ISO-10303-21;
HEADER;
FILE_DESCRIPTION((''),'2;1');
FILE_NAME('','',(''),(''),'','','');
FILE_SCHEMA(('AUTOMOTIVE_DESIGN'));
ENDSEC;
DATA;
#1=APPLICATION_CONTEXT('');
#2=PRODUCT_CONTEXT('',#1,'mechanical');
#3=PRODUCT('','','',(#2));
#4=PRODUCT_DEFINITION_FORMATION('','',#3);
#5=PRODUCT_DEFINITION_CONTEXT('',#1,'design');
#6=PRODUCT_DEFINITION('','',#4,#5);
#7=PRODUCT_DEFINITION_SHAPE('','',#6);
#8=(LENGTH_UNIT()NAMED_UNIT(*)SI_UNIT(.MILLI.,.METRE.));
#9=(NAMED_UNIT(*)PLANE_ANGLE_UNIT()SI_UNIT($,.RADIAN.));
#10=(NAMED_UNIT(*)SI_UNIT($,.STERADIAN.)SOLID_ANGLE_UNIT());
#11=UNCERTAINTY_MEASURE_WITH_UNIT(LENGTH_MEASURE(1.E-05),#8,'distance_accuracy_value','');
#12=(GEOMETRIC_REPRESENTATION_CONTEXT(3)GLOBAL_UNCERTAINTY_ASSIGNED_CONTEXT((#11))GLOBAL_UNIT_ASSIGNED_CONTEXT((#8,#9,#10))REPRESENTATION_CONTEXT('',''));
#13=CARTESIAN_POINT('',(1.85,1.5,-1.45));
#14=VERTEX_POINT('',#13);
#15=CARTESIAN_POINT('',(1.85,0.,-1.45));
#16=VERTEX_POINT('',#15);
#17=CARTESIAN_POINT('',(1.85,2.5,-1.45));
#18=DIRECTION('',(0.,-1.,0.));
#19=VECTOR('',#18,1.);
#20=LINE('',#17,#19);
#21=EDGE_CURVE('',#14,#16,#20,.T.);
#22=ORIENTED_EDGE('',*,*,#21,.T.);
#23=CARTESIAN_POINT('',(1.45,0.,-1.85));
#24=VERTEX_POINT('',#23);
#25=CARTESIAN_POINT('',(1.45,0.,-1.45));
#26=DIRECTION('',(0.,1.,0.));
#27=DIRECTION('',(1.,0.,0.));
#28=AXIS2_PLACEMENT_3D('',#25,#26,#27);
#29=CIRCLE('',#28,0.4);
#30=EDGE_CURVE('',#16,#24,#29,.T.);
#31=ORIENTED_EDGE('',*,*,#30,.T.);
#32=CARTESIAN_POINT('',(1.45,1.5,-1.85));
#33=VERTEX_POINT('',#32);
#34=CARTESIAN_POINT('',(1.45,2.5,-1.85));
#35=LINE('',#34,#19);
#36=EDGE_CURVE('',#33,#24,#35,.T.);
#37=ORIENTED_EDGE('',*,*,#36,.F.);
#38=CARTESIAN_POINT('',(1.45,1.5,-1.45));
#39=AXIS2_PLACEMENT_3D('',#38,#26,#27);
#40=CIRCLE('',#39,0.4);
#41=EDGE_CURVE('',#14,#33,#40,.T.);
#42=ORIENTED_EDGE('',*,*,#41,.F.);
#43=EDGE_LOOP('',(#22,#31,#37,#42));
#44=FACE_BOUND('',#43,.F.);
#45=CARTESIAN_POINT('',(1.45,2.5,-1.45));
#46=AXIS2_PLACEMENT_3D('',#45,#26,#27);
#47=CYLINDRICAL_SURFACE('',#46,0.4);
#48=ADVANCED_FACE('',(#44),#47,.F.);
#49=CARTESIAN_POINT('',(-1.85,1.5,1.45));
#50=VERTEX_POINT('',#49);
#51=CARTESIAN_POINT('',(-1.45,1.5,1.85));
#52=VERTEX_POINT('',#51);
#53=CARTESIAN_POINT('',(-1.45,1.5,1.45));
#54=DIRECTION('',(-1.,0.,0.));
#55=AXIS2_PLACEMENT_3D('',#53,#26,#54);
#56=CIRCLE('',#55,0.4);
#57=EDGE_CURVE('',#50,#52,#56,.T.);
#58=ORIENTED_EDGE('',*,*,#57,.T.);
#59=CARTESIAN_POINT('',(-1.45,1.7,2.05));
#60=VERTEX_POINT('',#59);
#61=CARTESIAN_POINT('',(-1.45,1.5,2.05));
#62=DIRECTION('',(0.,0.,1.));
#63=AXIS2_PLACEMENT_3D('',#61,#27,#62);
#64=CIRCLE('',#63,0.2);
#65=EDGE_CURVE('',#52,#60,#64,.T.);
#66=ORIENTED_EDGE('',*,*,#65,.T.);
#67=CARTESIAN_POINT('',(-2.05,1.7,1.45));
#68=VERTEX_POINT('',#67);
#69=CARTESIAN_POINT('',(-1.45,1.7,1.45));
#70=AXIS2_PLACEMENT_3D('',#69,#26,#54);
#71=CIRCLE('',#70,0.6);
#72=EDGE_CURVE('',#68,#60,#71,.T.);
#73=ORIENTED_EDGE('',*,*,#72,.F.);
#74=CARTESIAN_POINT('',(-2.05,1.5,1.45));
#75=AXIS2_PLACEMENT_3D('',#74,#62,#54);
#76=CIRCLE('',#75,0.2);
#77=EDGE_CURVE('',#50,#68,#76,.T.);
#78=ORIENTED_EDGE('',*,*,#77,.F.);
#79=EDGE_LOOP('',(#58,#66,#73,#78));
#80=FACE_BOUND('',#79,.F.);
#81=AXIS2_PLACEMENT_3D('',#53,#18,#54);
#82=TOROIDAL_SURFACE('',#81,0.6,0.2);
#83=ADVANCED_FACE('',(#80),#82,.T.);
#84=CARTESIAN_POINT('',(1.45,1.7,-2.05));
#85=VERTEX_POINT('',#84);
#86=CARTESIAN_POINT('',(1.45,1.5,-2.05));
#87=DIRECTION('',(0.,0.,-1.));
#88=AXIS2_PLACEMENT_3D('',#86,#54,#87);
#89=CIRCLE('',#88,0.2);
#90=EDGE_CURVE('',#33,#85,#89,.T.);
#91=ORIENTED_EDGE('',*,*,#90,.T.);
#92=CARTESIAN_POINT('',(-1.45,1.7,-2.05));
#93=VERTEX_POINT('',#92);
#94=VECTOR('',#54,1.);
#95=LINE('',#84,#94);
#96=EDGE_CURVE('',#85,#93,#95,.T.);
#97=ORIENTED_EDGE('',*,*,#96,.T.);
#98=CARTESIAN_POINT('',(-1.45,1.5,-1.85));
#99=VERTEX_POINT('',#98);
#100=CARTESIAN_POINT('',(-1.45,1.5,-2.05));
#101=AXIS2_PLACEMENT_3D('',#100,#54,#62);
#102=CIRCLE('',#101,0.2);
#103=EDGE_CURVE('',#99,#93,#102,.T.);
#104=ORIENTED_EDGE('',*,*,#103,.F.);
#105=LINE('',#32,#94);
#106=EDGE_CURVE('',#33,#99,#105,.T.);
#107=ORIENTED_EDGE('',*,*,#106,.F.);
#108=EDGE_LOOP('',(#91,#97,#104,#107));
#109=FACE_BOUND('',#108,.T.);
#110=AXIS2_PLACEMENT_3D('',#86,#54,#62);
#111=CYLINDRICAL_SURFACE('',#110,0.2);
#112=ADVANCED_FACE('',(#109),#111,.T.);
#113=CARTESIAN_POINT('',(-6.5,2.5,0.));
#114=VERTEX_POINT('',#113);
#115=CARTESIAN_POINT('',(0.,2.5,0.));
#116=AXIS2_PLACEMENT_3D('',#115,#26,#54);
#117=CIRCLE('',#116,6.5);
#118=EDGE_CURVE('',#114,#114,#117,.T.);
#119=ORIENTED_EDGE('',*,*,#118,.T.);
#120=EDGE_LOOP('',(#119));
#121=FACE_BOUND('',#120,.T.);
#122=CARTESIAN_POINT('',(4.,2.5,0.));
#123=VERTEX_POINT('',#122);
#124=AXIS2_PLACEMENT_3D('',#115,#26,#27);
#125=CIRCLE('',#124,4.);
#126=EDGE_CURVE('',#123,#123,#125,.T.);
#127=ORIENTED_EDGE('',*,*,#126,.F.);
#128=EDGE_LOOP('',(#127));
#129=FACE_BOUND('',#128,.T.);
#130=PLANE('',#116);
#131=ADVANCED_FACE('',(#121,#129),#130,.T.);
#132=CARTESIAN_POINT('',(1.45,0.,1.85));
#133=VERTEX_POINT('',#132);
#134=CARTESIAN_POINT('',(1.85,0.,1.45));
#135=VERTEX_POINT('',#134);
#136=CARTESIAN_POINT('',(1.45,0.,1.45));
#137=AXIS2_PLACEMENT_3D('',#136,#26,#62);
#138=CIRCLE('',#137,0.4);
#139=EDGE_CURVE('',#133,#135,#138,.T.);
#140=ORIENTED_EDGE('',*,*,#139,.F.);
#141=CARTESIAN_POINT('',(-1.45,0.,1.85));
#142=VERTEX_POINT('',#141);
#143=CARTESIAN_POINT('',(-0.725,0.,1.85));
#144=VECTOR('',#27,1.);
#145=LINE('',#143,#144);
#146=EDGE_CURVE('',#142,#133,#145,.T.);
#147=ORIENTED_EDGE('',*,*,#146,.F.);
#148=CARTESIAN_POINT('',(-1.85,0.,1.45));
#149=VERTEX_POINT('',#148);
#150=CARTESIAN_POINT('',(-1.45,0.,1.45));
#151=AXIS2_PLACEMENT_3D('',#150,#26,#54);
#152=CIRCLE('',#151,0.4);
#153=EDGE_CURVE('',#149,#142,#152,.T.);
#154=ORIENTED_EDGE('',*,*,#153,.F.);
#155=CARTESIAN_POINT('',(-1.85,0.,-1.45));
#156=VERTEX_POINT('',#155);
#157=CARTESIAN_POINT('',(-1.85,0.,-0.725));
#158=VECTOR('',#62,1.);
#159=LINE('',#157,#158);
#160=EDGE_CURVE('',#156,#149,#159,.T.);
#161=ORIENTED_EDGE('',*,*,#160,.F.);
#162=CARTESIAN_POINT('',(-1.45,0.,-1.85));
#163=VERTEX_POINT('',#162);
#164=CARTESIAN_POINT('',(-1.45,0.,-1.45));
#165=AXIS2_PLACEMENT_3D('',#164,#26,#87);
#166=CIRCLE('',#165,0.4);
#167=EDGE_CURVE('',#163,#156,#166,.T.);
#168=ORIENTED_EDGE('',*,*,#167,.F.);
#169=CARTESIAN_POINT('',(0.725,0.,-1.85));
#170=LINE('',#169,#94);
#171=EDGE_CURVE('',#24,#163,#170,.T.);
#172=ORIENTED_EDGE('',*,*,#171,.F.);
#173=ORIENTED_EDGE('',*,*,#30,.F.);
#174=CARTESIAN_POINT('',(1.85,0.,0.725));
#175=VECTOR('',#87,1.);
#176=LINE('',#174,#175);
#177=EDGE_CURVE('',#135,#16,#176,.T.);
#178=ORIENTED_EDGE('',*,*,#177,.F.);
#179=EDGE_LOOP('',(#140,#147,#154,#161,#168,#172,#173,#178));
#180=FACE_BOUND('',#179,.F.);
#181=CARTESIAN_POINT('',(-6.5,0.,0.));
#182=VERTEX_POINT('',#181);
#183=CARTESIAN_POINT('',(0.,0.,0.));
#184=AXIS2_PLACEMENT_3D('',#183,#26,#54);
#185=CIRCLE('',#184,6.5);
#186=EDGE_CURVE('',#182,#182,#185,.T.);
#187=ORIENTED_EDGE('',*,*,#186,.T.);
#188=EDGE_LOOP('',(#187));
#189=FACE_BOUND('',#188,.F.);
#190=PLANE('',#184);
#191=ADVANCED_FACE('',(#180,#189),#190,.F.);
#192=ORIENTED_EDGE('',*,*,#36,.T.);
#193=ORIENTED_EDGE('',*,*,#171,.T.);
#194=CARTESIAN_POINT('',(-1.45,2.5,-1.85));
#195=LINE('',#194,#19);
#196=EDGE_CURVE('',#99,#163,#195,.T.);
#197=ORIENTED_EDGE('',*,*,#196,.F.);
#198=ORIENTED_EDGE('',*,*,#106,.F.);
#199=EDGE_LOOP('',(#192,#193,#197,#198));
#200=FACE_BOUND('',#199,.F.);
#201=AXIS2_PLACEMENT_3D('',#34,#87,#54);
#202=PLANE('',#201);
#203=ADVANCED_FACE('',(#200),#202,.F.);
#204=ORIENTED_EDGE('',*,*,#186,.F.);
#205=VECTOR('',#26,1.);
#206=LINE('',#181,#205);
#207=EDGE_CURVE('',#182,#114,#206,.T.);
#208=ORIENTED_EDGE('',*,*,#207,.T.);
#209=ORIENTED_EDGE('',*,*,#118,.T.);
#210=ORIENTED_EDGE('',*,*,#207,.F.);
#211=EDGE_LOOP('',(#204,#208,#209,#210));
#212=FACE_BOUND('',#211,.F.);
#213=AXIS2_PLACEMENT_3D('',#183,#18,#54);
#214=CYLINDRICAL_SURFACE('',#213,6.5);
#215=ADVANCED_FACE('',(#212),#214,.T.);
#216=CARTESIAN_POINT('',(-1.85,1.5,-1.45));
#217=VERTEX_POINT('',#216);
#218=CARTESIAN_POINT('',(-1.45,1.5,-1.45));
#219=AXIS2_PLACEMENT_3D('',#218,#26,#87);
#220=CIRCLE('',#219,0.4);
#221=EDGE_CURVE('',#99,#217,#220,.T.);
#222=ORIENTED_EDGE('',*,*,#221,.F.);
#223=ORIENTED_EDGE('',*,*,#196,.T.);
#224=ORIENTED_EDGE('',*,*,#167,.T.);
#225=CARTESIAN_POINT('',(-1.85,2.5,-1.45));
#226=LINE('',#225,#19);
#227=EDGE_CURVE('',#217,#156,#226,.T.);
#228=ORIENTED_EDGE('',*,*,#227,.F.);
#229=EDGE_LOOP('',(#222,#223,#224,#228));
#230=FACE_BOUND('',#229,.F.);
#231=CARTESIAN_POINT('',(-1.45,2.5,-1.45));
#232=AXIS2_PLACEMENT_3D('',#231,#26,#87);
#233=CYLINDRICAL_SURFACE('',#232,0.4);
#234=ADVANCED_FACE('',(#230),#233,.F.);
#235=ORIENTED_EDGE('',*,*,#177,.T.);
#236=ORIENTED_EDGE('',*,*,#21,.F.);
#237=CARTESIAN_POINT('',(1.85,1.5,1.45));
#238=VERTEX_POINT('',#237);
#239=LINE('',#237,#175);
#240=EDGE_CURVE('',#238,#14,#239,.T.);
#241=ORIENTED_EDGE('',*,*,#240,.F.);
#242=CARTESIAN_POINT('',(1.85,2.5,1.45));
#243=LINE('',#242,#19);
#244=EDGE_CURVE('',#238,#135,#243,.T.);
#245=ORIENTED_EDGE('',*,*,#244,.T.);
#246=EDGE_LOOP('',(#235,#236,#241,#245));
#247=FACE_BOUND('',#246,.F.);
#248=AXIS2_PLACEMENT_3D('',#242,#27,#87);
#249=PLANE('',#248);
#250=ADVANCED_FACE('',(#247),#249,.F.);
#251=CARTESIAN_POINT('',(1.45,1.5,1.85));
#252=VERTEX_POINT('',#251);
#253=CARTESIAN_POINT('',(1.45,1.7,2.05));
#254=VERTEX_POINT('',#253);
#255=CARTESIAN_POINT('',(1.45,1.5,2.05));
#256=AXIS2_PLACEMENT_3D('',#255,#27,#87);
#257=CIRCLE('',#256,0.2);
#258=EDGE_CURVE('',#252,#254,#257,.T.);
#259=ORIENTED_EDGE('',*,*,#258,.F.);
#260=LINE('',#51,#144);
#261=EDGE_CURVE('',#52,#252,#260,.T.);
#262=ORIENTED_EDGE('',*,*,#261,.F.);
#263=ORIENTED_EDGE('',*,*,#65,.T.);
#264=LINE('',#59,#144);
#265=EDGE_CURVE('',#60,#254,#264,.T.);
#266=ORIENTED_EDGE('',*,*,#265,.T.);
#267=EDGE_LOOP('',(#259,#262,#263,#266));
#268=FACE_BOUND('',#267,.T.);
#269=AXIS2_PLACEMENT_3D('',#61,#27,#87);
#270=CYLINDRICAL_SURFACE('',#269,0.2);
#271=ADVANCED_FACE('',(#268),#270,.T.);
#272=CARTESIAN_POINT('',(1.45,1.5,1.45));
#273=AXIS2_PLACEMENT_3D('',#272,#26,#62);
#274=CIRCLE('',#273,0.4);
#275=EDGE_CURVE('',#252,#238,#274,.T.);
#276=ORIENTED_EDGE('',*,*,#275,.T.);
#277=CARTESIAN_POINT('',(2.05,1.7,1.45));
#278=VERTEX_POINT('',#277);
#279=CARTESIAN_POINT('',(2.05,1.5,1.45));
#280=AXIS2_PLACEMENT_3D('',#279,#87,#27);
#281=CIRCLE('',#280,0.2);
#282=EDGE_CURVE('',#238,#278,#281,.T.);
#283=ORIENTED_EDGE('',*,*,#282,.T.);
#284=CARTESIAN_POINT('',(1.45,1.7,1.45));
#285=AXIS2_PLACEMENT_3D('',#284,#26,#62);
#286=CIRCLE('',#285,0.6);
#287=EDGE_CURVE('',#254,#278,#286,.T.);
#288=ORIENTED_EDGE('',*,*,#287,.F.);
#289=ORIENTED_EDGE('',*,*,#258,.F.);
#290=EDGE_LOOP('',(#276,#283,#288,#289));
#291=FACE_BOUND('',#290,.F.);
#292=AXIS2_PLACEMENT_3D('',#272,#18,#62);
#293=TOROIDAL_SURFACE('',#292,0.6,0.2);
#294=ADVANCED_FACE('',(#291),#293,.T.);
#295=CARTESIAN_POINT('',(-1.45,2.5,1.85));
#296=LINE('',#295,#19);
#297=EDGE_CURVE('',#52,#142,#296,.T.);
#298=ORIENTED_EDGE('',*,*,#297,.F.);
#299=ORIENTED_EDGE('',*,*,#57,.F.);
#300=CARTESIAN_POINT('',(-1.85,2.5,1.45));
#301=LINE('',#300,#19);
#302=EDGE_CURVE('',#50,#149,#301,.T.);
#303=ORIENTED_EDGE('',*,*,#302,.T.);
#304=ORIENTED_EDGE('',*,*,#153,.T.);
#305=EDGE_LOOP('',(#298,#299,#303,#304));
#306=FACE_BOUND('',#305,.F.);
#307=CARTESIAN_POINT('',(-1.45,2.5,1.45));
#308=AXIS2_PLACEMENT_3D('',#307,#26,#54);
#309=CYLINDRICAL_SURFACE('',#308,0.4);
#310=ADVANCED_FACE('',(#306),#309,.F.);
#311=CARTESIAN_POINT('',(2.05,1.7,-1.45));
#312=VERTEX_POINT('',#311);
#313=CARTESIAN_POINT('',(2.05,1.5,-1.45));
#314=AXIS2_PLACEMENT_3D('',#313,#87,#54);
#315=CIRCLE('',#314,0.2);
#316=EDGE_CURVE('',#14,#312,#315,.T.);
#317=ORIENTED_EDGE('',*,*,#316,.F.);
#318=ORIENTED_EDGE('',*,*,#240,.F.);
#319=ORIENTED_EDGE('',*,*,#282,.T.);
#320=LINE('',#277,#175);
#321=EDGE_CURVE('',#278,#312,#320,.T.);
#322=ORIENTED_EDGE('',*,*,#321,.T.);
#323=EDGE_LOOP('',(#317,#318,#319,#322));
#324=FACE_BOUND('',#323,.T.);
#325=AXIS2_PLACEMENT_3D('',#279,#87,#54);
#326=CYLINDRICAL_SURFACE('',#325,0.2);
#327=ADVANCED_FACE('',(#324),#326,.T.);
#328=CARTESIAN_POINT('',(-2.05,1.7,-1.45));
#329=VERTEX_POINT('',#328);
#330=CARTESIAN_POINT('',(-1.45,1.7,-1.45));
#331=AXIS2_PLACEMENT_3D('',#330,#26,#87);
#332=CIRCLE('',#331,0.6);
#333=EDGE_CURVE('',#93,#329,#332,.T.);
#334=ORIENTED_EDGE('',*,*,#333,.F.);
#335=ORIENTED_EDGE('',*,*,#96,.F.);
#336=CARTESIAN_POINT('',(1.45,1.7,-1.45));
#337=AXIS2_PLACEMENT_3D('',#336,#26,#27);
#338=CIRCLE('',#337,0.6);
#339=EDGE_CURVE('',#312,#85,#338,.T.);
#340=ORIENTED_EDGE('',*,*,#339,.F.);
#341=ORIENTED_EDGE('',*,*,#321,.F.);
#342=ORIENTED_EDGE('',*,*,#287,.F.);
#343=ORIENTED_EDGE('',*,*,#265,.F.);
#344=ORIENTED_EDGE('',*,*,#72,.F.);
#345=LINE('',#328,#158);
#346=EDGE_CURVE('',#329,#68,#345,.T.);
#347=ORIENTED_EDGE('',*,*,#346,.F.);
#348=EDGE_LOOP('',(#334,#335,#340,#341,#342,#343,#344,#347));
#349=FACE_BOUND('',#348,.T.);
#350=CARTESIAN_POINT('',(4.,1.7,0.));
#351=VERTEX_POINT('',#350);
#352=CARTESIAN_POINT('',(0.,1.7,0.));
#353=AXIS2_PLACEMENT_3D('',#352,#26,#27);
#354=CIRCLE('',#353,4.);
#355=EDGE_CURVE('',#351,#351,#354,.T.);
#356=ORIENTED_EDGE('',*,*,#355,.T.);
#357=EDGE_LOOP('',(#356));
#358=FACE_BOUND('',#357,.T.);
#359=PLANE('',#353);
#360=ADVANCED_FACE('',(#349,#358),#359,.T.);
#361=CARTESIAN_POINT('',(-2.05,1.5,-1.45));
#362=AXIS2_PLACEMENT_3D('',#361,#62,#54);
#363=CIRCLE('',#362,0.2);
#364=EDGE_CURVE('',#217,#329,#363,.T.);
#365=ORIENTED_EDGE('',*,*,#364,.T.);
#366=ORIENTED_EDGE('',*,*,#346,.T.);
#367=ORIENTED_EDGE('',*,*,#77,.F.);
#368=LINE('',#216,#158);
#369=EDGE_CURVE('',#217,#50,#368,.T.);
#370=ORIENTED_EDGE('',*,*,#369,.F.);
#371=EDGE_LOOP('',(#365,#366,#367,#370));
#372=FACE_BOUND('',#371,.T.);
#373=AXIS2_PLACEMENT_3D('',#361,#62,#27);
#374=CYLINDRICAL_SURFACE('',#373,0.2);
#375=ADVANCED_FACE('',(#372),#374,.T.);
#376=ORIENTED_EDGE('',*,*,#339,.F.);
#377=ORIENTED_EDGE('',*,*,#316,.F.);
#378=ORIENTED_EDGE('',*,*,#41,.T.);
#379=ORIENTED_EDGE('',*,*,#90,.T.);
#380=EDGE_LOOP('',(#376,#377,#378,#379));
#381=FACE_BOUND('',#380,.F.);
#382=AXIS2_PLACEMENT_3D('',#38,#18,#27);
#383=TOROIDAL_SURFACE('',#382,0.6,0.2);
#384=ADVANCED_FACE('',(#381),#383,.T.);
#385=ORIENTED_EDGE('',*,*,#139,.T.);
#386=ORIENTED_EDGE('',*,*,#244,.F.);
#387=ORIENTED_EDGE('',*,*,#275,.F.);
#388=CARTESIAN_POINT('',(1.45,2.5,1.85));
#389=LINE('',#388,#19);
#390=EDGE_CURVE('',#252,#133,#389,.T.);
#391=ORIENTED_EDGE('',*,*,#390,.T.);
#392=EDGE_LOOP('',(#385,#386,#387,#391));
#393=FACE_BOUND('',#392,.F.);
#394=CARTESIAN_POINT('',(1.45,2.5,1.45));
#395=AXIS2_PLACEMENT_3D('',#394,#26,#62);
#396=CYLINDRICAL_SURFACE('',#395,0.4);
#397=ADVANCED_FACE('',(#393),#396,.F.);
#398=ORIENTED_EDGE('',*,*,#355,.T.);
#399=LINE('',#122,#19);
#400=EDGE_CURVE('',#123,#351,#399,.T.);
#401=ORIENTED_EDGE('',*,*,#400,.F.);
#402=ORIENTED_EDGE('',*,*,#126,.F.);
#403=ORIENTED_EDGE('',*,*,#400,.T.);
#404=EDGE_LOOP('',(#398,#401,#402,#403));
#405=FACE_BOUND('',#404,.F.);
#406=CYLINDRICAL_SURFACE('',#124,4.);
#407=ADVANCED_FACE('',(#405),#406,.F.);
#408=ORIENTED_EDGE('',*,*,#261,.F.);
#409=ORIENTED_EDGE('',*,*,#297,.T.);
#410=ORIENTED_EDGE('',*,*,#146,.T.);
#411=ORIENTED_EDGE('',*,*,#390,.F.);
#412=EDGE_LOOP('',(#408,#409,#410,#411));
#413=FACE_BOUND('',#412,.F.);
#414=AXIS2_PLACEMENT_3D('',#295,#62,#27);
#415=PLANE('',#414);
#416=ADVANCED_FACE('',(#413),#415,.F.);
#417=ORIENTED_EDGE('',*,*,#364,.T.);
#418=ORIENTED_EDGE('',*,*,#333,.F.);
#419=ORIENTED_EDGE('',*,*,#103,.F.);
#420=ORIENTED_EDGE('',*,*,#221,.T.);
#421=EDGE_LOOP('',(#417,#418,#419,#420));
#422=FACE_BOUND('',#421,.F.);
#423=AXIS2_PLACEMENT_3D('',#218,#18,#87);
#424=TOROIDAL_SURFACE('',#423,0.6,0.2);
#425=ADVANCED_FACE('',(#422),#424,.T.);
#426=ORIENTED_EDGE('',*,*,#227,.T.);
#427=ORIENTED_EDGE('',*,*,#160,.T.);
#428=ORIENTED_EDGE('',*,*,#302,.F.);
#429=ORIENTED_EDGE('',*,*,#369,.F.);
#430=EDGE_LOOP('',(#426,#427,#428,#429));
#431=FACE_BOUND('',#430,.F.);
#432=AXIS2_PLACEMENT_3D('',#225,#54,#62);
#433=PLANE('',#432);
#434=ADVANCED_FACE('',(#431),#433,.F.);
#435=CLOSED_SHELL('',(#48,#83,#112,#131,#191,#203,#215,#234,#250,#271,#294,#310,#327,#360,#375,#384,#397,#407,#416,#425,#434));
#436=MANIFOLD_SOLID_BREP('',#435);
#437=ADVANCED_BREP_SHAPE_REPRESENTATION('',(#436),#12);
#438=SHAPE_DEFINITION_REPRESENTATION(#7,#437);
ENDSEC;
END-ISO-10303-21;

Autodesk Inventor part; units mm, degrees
ref_plane "YZ Plane" through (0, 0, 0) normal (1, 0, 0) x (0, 1, 0)
ref_plane "XZ Plane" through (0, 0, 0) normal (0, 1, 0) x (-1, 0, 0)
ref_plane "XY Plane" through (0, 0, 0) normal (0, 0, 1) x (1, 0, 0)
sketch "Sketch1" plane through (0, 0, 0) normal (0, 1, 0) x (-1, 0, 0)
  circle A0 centre (0, 0) radius 6.5
  dimension "d2" = 13
extrude "Extrusion1" add sketch "Sketch1" along normal blind 2.5
sketch "Sketch2" plane through (0, 2.5, 0) normal (0, 1, 0) x (1, 0, 0)
  line L0 (-1.45, -1.85) -> (1.45, -1.85)
  line L1 (1.85, -1.45) -> (1.85, 1.45)
  line L2 (1.45, 1.85) -> (-1.45, 1.85)
  line L3 (-1.85, 1.45) -> (-1.85, -1.45)
  line L4 (-1.85, -1.85) -> (1.85, 1.85) construction
  line L5 (1.85, -1.85) -> (-1.85, 1.85) construction
  arc A0 (-1.45, 1.85) -> (-1.85, 1.45) centre (-1.45, 1.45) ccw
  arc A1 (-1.85, -1.45) -> (-1.45, -1.85) centre (-1.45, -1.45) ccw
  arc A2 (1.45, -1.85) -> (1.85, -1.45) centre (1.45, -1.45) ccw
  arc A3 (1.85, 1.45) -> (1.45, 1.85) centre (1.45, 1.45) ccw
  point P0 (0, 0)
  dimension "d5" = 3.7
  dimension "d6" = 3.7
  dimension "d7" = 0.4
extrude "Extrusion2" cut sketch "Sketch2" against normal through all
sketch "Sketch3" plane through (0, 2.5, 0) normal (0, 1, 0) x (1, 0, 0)
  circle A0 centre (0, 0) radius 4
  dimension "d10" = 8
extrude "Extrusion3" cut sketch "Sketch3" against normal blind 0.8
fillet "Fillet1" radius 0.2 8 edges at (-1.7328, 1.7, 1.7328) (0, 1.7, 1.85) (1.7328, 1.7, 1.7328) (1.85, 1.7, 0) (1.7328, 1.7, -1.7328) (0, 1.7, -1.85) (-1.7328, 1.7, -1.7328) (-1.85, 1.7, 0)
equation "\"d6\" = d5"
properties part number "gear_collar_small"
